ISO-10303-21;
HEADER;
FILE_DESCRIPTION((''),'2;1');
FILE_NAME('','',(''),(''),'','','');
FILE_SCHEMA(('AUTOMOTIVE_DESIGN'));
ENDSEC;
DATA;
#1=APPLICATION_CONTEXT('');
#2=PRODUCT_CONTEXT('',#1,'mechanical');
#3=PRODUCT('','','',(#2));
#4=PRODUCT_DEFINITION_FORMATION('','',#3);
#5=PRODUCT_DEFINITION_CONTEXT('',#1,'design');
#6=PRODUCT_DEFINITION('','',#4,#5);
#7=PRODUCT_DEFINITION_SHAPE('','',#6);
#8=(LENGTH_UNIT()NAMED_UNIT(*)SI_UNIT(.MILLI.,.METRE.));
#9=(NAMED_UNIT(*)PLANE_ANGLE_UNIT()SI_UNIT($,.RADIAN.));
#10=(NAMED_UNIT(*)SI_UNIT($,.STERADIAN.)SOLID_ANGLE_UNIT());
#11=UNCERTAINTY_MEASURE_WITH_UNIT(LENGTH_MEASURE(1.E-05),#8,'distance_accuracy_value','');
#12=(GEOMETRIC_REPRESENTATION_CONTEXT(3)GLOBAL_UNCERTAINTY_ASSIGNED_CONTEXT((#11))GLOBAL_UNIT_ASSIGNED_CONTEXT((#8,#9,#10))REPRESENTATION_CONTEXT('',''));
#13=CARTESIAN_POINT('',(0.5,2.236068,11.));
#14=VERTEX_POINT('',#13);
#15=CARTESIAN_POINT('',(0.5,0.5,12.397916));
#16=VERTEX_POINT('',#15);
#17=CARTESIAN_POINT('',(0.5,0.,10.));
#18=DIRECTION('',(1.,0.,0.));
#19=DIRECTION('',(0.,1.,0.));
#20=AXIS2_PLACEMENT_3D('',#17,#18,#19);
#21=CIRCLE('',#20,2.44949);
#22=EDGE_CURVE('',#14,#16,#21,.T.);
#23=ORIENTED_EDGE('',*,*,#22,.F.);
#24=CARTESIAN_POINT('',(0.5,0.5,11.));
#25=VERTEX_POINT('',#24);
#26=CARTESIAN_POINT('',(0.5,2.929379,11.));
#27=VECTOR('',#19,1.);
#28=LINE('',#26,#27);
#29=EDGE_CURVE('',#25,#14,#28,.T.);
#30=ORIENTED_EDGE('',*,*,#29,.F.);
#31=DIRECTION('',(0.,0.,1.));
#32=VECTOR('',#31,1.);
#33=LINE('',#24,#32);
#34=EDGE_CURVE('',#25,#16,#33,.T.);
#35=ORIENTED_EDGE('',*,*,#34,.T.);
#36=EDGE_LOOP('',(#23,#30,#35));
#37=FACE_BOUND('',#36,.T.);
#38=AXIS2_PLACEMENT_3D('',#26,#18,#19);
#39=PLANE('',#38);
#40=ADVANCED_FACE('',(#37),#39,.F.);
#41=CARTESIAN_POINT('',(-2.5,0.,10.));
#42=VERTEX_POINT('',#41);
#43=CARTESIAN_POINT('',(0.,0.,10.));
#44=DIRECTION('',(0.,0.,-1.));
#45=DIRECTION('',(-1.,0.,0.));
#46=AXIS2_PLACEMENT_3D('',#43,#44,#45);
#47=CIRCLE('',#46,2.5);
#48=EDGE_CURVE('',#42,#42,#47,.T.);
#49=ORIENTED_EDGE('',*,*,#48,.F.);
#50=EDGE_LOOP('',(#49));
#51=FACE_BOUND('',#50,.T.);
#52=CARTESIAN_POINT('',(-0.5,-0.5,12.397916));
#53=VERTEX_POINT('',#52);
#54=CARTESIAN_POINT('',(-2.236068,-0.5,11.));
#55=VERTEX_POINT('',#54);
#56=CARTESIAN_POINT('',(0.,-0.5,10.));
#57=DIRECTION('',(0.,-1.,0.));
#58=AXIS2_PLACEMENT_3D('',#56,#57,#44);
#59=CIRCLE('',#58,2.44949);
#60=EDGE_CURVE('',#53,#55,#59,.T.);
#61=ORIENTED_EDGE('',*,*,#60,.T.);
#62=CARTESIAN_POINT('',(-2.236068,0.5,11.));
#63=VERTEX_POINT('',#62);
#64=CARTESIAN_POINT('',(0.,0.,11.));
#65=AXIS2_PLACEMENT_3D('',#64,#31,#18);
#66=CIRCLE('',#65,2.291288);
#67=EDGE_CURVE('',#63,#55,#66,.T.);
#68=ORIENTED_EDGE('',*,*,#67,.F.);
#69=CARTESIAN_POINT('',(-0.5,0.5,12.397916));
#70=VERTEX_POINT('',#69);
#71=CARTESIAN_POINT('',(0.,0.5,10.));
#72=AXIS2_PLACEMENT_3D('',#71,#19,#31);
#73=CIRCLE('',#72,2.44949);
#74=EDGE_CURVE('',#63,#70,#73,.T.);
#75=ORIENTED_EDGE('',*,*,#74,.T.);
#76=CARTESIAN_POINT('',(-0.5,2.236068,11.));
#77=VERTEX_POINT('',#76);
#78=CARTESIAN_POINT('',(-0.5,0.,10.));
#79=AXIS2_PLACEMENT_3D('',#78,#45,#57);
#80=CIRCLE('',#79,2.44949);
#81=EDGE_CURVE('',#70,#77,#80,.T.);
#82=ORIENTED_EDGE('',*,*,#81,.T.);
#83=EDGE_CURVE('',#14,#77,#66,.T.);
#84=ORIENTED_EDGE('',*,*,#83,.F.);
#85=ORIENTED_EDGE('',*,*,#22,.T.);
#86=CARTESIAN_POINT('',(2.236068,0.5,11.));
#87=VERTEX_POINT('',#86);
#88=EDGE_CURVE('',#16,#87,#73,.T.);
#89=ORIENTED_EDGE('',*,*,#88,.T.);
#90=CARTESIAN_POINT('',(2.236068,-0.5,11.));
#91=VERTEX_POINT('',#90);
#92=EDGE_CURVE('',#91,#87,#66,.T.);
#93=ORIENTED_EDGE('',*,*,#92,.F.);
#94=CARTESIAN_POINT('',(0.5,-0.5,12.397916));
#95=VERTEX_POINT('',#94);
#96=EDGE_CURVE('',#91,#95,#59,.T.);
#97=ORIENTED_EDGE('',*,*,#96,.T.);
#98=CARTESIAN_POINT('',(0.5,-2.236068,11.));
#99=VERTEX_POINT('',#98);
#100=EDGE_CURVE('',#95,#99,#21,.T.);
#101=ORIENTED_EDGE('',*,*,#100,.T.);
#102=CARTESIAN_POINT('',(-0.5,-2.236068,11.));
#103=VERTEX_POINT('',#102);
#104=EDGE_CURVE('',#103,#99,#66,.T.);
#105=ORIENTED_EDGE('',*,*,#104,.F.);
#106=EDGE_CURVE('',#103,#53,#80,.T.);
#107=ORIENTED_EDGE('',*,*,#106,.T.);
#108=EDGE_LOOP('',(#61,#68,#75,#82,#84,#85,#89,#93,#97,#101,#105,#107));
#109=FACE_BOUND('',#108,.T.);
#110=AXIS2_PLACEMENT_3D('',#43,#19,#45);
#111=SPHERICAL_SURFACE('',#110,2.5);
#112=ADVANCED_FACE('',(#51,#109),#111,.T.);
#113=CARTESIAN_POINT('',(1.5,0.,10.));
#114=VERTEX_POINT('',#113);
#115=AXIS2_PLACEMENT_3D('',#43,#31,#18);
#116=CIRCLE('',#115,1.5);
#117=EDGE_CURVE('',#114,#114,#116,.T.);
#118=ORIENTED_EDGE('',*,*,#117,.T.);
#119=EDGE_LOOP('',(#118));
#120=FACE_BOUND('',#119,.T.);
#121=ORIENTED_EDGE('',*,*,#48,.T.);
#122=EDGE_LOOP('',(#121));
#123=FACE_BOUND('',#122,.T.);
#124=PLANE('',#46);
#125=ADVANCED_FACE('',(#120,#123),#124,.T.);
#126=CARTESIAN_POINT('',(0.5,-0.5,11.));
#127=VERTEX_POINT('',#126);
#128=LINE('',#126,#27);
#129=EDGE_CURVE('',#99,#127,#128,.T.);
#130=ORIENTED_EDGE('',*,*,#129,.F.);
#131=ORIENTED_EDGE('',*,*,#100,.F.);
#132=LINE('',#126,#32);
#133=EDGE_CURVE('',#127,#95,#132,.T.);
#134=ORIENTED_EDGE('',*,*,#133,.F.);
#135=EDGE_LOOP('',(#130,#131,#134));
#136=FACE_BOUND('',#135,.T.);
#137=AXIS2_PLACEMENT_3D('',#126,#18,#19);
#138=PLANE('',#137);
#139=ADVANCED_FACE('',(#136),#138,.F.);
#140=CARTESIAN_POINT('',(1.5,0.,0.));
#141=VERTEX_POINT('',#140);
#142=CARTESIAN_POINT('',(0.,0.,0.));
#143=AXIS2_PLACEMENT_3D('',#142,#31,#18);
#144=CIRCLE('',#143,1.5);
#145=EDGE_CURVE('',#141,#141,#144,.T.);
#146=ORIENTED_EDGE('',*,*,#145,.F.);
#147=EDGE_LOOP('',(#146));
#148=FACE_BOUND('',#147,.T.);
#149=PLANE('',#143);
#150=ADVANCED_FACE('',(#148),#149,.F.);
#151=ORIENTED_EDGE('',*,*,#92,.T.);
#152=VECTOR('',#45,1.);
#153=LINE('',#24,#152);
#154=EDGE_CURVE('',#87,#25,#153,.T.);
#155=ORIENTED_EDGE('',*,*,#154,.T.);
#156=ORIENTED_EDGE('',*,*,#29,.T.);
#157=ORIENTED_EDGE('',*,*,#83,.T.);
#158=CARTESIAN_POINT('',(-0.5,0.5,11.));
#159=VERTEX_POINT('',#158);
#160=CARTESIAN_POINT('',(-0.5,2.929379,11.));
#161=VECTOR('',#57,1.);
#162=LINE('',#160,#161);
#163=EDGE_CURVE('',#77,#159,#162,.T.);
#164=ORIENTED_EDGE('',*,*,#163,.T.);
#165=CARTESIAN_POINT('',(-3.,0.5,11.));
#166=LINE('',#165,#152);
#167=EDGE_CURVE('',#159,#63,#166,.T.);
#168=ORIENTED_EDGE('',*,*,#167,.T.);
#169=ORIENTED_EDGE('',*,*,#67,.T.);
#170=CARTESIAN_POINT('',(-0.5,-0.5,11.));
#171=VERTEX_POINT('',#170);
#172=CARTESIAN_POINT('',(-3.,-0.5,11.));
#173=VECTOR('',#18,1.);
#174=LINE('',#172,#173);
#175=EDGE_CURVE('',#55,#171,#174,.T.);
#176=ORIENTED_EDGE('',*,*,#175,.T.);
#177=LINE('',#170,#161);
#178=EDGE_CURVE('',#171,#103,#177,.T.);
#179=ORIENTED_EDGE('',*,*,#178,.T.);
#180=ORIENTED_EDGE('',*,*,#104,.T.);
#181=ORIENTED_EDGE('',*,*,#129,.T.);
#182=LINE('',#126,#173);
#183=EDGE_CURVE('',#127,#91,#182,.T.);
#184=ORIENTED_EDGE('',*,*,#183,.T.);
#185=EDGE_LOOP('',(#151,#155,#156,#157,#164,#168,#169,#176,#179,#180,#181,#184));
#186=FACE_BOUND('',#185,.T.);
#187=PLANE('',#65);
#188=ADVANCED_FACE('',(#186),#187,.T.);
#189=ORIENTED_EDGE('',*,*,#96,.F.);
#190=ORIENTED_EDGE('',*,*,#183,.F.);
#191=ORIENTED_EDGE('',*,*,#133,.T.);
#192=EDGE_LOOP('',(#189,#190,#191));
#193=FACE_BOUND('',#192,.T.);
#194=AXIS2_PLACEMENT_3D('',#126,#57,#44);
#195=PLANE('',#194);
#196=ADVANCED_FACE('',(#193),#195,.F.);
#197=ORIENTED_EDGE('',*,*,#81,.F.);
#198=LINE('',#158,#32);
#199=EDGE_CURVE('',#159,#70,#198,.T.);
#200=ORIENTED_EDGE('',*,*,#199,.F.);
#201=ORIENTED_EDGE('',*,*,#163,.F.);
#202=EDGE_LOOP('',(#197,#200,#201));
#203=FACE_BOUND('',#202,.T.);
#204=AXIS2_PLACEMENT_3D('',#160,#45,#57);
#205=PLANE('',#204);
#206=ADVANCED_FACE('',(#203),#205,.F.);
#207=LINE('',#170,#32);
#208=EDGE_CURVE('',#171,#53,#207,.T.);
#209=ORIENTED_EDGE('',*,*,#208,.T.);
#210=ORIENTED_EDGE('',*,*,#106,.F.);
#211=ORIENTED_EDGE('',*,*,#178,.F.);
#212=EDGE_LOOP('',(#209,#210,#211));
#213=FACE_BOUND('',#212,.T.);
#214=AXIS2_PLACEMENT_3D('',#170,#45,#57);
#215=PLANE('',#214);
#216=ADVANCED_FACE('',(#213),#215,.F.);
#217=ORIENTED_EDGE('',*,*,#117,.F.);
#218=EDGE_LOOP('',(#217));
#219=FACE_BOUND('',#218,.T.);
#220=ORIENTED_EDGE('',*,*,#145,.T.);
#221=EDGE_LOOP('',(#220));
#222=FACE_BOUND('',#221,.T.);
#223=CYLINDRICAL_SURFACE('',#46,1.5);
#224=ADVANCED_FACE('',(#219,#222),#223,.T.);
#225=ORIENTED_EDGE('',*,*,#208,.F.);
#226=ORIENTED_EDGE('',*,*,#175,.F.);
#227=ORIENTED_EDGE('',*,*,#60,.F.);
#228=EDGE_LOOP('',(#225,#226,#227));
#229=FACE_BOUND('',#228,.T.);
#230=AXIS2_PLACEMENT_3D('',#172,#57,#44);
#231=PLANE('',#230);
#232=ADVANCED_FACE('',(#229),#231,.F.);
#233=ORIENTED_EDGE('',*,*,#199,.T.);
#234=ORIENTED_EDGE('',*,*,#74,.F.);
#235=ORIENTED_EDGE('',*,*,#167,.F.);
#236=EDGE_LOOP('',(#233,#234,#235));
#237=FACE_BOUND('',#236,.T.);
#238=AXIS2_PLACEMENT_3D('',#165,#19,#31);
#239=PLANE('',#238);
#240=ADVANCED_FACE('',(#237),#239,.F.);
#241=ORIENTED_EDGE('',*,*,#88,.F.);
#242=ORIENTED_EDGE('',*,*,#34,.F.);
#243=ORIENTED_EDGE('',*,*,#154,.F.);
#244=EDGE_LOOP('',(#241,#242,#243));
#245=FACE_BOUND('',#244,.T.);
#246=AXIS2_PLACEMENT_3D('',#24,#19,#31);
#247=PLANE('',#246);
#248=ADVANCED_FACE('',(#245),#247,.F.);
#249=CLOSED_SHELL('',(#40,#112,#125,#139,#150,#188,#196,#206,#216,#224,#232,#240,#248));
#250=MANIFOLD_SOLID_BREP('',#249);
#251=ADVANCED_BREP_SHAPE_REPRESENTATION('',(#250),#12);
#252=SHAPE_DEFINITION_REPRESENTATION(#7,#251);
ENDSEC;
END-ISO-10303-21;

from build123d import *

# Parameters (mm, degrees)
SKETCH1_R           = 1.5
BOSS_EXTRUDE1_DEPTH = 10
REVOLVE1_ANGLE      = 180
CUT_EXTRUDE1_DEPTH  = 2


with BuildPart() as part:
    # Sketch1 → Boss-Extrude1 (new body)
    with BuildSketch(Plane.XY):
        Circle(SKETCH1_R)
    extrude(amount=BOSS_EXTRUDE1_DEPTH)

    # Sketch2 → Revolve1 (revolve)
    with BuildSketch(Plane.XY.offset(10)):
        with BuildLine():
            Line((0, 2.5), (0, -2.5))
            ThreePointArc((0, -2.5), (2.5, 0), (0, 2.5))
        make_face()
    revolve(axis=Axis((0, 2.5, 10), (0, -1, 0)), revolution_arc=REVOLVE1_ANGLE)

    # Sketch3 → Cut-Extrude1 (cut)
    with BuildSketch(Plane.XY.offset(13)):
        Polygon((0.5, 0.5), (3, 0.5), (3, -0.5), (0.5, -0.5), (0.5, -3.070620821), (-0.5, -3.070620821), (-0.5, -0.5), (-3, -0.5), (-3, 0.5), (-0.5, 0.5), (-0.5, 2.929379179), (0.5, 2.929379179), align=None)
    extrude(amount=-CUT_EXTRUDE1_DEPTH, mode=Mode.SUBTRACT)


solid = part.part
